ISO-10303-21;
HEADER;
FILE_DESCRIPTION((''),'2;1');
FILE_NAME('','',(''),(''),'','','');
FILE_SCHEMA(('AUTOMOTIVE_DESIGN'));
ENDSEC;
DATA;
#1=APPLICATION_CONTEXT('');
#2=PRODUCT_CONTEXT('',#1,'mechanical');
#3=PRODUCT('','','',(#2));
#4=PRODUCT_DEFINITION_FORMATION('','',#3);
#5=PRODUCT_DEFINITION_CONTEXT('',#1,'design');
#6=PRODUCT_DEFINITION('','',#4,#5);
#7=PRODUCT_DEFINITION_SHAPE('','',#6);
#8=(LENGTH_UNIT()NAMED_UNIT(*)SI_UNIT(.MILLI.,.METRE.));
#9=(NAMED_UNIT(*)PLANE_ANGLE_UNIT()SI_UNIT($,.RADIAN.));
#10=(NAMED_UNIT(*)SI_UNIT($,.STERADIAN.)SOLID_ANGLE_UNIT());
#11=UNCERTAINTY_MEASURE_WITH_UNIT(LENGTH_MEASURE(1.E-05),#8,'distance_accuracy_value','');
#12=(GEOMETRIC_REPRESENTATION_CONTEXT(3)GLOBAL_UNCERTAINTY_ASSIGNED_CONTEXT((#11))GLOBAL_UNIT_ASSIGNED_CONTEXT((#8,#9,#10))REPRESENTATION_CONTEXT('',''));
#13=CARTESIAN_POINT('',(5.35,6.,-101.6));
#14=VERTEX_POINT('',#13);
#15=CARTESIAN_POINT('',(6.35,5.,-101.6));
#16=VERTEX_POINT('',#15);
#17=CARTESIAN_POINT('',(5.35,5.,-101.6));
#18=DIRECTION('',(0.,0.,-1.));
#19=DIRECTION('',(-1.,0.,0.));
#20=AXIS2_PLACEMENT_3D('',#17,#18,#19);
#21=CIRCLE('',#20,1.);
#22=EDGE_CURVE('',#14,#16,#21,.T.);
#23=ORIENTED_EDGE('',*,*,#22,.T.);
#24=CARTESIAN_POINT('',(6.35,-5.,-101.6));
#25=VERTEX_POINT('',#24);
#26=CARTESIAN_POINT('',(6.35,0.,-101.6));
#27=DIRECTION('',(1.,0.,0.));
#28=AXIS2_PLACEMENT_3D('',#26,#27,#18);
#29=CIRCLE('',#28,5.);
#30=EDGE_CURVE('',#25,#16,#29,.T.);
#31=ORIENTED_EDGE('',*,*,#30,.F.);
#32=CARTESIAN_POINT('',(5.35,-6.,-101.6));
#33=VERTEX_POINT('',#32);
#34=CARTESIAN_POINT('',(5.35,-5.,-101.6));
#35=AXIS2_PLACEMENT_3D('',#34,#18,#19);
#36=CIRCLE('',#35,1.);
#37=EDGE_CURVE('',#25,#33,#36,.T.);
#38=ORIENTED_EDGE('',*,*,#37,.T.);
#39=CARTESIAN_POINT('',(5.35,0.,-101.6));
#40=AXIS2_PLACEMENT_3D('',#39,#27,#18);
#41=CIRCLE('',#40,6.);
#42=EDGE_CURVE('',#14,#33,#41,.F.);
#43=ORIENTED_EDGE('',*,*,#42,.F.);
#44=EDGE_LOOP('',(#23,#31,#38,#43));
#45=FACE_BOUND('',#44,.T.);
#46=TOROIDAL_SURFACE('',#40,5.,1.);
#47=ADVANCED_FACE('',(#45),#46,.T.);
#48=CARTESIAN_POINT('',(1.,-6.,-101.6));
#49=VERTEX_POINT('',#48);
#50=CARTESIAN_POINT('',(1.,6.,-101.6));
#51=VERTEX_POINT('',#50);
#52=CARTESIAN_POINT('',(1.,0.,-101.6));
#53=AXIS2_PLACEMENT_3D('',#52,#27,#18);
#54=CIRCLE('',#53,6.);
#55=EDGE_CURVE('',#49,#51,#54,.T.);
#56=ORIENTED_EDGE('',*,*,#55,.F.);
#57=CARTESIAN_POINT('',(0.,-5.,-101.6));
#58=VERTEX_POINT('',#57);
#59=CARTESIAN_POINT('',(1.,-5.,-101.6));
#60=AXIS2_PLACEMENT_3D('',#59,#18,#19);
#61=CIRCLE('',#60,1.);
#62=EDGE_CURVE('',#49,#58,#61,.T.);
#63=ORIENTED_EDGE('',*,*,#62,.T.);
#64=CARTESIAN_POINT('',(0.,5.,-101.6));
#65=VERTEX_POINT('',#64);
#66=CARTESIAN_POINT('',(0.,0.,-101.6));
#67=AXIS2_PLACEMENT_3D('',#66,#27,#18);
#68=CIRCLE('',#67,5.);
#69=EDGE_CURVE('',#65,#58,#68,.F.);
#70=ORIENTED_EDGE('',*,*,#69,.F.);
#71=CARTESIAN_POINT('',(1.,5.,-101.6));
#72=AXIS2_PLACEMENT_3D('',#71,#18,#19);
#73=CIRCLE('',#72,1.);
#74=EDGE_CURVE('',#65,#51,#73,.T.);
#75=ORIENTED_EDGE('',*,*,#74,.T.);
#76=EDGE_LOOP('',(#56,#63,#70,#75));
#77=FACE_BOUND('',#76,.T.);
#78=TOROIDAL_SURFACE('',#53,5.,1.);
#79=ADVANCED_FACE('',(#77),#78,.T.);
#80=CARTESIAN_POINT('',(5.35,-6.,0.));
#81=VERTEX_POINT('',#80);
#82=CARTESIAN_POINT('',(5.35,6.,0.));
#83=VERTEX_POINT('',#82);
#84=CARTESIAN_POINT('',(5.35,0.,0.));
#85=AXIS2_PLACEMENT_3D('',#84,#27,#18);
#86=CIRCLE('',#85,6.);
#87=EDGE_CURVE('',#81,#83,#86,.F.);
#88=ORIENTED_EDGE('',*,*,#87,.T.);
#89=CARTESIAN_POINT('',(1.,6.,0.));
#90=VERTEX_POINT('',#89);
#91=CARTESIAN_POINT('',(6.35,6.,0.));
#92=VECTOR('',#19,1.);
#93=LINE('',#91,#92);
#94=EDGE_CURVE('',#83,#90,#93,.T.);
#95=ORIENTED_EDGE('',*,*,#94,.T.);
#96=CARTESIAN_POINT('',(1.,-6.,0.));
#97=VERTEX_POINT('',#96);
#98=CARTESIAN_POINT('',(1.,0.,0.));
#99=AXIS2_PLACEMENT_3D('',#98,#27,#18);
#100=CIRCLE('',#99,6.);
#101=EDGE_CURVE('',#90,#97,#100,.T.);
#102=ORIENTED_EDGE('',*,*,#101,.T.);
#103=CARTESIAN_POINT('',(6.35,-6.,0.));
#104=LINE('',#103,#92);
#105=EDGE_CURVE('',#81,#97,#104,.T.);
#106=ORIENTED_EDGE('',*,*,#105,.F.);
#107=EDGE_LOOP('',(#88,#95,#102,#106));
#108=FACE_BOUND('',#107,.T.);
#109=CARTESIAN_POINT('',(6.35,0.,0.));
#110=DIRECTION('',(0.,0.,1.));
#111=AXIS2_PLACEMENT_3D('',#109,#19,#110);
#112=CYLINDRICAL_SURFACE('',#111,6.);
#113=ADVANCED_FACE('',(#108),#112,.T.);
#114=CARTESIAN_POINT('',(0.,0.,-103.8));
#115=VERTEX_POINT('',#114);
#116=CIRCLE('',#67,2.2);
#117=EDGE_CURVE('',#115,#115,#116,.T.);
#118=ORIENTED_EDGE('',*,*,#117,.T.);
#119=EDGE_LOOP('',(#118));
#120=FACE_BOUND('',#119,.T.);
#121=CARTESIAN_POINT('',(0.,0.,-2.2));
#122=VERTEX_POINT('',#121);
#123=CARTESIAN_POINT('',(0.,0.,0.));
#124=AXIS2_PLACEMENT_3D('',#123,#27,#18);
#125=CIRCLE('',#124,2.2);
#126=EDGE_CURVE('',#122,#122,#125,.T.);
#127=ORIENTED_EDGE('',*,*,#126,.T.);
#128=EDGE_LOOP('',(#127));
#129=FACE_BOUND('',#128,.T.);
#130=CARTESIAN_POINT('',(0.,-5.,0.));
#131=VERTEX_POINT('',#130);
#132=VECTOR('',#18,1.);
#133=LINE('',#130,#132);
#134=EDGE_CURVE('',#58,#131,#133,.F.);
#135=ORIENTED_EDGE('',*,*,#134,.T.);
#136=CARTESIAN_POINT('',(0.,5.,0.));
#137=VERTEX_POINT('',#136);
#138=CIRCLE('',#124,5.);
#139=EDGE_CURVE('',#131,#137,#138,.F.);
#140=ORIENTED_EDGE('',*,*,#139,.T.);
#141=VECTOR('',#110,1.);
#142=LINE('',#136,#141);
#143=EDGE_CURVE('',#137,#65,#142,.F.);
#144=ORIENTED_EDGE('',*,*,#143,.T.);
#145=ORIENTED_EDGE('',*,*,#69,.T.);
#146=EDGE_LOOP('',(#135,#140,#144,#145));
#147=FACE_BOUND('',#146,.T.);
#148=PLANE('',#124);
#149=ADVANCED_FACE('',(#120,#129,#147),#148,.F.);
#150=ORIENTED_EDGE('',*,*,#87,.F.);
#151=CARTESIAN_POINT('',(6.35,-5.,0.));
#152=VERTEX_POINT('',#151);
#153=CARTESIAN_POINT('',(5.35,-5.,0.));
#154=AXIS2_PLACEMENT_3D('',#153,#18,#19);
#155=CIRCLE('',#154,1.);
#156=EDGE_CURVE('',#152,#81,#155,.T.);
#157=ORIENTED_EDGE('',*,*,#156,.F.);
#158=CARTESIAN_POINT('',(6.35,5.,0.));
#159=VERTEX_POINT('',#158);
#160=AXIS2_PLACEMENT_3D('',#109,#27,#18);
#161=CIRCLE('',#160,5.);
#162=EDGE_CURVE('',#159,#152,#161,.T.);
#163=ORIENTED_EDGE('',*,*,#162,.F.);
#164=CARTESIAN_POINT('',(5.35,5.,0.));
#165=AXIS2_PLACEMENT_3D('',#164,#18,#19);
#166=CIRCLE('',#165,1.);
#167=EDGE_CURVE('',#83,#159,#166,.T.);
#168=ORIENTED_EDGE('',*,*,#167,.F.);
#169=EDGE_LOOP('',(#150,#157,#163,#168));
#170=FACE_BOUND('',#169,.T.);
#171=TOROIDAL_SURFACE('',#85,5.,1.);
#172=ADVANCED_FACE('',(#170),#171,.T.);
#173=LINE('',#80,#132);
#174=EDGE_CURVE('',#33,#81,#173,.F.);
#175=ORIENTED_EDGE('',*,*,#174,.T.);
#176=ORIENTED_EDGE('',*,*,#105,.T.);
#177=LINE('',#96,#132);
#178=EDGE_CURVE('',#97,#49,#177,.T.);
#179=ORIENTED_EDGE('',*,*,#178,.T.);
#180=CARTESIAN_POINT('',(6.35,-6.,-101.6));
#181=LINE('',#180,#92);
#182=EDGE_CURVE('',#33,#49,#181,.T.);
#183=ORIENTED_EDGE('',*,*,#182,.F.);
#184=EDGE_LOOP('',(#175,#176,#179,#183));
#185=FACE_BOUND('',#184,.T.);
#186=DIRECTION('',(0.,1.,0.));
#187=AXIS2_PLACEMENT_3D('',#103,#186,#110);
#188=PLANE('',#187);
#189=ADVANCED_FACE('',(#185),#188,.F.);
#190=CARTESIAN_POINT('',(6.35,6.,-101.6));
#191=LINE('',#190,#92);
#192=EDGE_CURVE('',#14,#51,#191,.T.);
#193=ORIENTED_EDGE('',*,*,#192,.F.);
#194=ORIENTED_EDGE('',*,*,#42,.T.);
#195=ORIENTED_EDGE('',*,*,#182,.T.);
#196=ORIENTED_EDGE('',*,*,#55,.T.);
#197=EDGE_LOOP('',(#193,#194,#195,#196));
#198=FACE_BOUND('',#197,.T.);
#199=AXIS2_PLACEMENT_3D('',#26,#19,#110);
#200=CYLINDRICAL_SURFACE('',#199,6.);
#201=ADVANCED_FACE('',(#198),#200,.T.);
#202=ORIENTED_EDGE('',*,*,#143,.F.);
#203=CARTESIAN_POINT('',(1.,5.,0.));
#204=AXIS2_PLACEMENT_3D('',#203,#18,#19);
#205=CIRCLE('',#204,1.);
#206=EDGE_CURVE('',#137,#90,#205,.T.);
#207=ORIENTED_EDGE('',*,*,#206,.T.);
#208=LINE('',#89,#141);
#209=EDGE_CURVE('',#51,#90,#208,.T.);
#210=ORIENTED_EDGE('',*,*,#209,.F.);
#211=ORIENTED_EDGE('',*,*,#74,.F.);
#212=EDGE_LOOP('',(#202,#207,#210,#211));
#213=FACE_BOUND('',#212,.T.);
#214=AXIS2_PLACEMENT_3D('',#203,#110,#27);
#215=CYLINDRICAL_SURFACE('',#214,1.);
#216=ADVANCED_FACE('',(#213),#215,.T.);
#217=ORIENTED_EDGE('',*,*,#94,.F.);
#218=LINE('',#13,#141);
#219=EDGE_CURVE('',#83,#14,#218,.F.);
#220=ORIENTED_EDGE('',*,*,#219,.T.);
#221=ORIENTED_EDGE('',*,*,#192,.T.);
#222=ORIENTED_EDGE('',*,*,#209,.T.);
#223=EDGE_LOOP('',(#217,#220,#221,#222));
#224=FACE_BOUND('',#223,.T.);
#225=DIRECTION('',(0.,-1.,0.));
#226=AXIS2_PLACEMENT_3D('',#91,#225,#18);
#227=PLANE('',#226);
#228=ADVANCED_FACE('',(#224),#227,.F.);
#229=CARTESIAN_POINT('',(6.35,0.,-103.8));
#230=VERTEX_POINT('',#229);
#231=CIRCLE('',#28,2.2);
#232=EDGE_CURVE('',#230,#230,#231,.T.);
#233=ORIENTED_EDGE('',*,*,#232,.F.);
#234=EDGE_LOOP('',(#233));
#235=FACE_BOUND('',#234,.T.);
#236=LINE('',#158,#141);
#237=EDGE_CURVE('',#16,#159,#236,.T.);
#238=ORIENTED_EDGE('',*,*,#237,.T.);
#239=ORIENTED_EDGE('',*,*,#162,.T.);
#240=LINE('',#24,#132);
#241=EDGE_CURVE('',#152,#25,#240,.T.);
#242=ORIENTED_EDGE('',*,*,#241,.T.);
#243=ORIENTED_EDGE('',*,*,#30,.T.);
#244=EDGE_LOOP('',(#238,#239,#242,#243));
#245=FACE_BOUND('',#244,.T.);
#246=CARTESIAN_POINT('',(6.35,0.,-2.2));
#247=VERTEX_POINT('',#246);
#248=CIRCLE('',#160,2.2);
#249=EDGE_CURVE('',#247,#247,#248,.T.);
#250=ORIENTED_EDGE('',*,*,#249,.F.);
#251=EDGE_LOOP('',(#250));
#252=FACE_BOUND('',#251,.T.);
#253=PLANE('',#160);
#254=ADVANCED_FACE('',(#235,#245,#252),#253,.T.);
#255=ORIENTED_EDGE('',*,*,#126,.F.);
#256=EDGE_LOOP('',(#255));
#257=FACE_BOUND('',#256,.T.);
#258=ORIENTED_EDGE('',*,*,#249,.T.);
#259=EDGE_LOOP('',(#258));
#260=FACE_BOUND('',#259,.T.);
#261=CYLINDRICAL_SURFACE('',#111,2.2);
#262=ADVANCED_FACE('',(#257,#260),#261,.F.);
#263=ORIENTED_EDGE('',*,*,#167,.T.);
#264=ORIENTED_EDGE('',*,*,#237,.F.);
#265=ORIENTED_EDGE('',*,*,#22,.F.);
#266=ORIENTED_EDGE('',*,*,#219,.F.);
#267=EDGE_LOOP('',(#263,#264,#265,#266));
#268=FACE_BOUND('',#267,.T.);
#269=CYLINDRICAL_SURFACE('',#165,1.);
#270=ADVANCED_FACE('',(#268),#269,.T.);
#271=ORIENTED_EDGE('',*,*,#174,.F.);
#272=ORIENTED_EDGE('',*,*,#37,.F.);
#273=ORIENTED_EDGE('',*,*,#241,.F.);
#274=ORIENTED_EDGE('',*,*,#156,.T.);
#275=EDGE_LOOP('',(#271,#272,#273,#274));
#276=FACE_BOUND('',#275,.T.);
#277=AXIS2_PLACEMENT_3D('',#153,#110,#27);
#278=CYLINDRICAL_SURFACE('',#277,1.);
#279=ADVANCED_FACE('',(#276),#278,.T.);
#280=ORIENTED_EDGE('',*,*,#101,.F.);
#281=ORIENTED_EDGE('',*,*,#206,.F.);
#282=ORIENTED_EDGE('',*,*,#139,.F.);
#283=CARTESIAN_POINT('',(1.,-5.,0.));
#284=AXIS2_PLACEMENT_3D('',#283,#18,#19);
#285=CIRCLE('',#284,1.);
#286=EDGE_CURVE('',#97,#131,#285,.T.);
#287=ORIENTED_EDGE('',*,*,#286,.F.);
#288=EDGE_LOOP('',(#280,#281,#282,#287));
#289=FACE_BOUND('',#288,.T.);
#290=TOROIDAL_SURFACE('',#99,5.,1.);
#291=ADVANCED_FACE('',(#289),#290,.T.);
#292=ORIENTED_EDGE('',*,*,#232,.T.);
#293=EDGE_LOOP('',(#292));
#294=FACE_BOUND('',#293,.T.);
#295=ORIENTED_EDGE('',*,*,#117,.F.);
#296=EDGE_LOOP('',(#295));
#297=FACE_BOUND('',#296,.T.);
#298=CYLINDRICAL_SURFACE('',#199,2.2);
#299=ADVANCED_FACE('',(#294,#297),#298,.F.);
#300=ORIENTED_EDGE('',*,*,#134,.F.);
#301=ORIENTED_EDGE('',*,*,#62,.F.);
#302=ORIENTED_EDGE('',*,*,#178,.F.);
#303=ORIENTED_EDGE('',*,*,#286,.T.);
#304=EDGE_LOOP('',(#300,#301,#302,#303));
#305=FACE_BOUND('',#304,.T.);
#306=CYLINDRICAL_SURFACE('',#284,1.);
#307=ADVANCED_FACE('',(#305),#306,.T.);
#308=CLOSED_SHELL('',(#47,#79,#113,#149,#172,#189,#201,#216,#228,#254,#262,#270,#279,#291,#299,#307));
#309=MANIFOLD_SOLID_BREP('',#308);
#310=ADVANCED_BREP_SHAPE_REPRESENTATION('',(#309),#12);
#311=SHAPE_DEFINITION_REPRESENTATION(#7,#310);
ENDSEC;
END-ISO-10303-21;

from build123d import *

# Parameters (mm, degrees)
SKETCH1_R           = 2.2
BOSS_EXTRUDE1_DEPTH = 6.35
FILLET1_R           = 1


with BuildPart() as part:
    # Sketch1 → Boss-Extrude1 (new body)
    with BuildSketch(Plane(origin=(0, 0, 0), x_dir=(0, 0, -1), z_dir=(1, 0, 0))):
        with BuildLine():
            Line((0, 6), (101.6, 6))
            ThreePointArc((101.6, 6), (107.6, 0), (101.6, -6))
            Line((101.6, -6), (0, -6))
            ThreePointArc((0, -6), (-6, 0), (0, 6))
        make_face()
        Circle(SKETCH1_R, mode=Mode.SUBTRACT)
        with Locations((101.6, 0)):
            Circle(SKETCH1_R, mode=Mode.SUBTRACT)
    extrude(amount=BOSS_EXTRUDE1_DEPTH)

    # Fillet1
    fillet1_edges = [part.edges().sort_by_distance(p)[0] for p in [
        (6.35, 0, -107.6),
        (6.35, 6, -50.8),
        (6.35, 0, 6),
        (0, 6, -50.8),
        (0, 0, -107.6),
        (0, -6, -50.8),
        (0, 0, 6),
        (6.35, -6, -50.8),
    ]]
    fillet(fillet1_edges, radius=FILLET1_R)


solid = part.part
